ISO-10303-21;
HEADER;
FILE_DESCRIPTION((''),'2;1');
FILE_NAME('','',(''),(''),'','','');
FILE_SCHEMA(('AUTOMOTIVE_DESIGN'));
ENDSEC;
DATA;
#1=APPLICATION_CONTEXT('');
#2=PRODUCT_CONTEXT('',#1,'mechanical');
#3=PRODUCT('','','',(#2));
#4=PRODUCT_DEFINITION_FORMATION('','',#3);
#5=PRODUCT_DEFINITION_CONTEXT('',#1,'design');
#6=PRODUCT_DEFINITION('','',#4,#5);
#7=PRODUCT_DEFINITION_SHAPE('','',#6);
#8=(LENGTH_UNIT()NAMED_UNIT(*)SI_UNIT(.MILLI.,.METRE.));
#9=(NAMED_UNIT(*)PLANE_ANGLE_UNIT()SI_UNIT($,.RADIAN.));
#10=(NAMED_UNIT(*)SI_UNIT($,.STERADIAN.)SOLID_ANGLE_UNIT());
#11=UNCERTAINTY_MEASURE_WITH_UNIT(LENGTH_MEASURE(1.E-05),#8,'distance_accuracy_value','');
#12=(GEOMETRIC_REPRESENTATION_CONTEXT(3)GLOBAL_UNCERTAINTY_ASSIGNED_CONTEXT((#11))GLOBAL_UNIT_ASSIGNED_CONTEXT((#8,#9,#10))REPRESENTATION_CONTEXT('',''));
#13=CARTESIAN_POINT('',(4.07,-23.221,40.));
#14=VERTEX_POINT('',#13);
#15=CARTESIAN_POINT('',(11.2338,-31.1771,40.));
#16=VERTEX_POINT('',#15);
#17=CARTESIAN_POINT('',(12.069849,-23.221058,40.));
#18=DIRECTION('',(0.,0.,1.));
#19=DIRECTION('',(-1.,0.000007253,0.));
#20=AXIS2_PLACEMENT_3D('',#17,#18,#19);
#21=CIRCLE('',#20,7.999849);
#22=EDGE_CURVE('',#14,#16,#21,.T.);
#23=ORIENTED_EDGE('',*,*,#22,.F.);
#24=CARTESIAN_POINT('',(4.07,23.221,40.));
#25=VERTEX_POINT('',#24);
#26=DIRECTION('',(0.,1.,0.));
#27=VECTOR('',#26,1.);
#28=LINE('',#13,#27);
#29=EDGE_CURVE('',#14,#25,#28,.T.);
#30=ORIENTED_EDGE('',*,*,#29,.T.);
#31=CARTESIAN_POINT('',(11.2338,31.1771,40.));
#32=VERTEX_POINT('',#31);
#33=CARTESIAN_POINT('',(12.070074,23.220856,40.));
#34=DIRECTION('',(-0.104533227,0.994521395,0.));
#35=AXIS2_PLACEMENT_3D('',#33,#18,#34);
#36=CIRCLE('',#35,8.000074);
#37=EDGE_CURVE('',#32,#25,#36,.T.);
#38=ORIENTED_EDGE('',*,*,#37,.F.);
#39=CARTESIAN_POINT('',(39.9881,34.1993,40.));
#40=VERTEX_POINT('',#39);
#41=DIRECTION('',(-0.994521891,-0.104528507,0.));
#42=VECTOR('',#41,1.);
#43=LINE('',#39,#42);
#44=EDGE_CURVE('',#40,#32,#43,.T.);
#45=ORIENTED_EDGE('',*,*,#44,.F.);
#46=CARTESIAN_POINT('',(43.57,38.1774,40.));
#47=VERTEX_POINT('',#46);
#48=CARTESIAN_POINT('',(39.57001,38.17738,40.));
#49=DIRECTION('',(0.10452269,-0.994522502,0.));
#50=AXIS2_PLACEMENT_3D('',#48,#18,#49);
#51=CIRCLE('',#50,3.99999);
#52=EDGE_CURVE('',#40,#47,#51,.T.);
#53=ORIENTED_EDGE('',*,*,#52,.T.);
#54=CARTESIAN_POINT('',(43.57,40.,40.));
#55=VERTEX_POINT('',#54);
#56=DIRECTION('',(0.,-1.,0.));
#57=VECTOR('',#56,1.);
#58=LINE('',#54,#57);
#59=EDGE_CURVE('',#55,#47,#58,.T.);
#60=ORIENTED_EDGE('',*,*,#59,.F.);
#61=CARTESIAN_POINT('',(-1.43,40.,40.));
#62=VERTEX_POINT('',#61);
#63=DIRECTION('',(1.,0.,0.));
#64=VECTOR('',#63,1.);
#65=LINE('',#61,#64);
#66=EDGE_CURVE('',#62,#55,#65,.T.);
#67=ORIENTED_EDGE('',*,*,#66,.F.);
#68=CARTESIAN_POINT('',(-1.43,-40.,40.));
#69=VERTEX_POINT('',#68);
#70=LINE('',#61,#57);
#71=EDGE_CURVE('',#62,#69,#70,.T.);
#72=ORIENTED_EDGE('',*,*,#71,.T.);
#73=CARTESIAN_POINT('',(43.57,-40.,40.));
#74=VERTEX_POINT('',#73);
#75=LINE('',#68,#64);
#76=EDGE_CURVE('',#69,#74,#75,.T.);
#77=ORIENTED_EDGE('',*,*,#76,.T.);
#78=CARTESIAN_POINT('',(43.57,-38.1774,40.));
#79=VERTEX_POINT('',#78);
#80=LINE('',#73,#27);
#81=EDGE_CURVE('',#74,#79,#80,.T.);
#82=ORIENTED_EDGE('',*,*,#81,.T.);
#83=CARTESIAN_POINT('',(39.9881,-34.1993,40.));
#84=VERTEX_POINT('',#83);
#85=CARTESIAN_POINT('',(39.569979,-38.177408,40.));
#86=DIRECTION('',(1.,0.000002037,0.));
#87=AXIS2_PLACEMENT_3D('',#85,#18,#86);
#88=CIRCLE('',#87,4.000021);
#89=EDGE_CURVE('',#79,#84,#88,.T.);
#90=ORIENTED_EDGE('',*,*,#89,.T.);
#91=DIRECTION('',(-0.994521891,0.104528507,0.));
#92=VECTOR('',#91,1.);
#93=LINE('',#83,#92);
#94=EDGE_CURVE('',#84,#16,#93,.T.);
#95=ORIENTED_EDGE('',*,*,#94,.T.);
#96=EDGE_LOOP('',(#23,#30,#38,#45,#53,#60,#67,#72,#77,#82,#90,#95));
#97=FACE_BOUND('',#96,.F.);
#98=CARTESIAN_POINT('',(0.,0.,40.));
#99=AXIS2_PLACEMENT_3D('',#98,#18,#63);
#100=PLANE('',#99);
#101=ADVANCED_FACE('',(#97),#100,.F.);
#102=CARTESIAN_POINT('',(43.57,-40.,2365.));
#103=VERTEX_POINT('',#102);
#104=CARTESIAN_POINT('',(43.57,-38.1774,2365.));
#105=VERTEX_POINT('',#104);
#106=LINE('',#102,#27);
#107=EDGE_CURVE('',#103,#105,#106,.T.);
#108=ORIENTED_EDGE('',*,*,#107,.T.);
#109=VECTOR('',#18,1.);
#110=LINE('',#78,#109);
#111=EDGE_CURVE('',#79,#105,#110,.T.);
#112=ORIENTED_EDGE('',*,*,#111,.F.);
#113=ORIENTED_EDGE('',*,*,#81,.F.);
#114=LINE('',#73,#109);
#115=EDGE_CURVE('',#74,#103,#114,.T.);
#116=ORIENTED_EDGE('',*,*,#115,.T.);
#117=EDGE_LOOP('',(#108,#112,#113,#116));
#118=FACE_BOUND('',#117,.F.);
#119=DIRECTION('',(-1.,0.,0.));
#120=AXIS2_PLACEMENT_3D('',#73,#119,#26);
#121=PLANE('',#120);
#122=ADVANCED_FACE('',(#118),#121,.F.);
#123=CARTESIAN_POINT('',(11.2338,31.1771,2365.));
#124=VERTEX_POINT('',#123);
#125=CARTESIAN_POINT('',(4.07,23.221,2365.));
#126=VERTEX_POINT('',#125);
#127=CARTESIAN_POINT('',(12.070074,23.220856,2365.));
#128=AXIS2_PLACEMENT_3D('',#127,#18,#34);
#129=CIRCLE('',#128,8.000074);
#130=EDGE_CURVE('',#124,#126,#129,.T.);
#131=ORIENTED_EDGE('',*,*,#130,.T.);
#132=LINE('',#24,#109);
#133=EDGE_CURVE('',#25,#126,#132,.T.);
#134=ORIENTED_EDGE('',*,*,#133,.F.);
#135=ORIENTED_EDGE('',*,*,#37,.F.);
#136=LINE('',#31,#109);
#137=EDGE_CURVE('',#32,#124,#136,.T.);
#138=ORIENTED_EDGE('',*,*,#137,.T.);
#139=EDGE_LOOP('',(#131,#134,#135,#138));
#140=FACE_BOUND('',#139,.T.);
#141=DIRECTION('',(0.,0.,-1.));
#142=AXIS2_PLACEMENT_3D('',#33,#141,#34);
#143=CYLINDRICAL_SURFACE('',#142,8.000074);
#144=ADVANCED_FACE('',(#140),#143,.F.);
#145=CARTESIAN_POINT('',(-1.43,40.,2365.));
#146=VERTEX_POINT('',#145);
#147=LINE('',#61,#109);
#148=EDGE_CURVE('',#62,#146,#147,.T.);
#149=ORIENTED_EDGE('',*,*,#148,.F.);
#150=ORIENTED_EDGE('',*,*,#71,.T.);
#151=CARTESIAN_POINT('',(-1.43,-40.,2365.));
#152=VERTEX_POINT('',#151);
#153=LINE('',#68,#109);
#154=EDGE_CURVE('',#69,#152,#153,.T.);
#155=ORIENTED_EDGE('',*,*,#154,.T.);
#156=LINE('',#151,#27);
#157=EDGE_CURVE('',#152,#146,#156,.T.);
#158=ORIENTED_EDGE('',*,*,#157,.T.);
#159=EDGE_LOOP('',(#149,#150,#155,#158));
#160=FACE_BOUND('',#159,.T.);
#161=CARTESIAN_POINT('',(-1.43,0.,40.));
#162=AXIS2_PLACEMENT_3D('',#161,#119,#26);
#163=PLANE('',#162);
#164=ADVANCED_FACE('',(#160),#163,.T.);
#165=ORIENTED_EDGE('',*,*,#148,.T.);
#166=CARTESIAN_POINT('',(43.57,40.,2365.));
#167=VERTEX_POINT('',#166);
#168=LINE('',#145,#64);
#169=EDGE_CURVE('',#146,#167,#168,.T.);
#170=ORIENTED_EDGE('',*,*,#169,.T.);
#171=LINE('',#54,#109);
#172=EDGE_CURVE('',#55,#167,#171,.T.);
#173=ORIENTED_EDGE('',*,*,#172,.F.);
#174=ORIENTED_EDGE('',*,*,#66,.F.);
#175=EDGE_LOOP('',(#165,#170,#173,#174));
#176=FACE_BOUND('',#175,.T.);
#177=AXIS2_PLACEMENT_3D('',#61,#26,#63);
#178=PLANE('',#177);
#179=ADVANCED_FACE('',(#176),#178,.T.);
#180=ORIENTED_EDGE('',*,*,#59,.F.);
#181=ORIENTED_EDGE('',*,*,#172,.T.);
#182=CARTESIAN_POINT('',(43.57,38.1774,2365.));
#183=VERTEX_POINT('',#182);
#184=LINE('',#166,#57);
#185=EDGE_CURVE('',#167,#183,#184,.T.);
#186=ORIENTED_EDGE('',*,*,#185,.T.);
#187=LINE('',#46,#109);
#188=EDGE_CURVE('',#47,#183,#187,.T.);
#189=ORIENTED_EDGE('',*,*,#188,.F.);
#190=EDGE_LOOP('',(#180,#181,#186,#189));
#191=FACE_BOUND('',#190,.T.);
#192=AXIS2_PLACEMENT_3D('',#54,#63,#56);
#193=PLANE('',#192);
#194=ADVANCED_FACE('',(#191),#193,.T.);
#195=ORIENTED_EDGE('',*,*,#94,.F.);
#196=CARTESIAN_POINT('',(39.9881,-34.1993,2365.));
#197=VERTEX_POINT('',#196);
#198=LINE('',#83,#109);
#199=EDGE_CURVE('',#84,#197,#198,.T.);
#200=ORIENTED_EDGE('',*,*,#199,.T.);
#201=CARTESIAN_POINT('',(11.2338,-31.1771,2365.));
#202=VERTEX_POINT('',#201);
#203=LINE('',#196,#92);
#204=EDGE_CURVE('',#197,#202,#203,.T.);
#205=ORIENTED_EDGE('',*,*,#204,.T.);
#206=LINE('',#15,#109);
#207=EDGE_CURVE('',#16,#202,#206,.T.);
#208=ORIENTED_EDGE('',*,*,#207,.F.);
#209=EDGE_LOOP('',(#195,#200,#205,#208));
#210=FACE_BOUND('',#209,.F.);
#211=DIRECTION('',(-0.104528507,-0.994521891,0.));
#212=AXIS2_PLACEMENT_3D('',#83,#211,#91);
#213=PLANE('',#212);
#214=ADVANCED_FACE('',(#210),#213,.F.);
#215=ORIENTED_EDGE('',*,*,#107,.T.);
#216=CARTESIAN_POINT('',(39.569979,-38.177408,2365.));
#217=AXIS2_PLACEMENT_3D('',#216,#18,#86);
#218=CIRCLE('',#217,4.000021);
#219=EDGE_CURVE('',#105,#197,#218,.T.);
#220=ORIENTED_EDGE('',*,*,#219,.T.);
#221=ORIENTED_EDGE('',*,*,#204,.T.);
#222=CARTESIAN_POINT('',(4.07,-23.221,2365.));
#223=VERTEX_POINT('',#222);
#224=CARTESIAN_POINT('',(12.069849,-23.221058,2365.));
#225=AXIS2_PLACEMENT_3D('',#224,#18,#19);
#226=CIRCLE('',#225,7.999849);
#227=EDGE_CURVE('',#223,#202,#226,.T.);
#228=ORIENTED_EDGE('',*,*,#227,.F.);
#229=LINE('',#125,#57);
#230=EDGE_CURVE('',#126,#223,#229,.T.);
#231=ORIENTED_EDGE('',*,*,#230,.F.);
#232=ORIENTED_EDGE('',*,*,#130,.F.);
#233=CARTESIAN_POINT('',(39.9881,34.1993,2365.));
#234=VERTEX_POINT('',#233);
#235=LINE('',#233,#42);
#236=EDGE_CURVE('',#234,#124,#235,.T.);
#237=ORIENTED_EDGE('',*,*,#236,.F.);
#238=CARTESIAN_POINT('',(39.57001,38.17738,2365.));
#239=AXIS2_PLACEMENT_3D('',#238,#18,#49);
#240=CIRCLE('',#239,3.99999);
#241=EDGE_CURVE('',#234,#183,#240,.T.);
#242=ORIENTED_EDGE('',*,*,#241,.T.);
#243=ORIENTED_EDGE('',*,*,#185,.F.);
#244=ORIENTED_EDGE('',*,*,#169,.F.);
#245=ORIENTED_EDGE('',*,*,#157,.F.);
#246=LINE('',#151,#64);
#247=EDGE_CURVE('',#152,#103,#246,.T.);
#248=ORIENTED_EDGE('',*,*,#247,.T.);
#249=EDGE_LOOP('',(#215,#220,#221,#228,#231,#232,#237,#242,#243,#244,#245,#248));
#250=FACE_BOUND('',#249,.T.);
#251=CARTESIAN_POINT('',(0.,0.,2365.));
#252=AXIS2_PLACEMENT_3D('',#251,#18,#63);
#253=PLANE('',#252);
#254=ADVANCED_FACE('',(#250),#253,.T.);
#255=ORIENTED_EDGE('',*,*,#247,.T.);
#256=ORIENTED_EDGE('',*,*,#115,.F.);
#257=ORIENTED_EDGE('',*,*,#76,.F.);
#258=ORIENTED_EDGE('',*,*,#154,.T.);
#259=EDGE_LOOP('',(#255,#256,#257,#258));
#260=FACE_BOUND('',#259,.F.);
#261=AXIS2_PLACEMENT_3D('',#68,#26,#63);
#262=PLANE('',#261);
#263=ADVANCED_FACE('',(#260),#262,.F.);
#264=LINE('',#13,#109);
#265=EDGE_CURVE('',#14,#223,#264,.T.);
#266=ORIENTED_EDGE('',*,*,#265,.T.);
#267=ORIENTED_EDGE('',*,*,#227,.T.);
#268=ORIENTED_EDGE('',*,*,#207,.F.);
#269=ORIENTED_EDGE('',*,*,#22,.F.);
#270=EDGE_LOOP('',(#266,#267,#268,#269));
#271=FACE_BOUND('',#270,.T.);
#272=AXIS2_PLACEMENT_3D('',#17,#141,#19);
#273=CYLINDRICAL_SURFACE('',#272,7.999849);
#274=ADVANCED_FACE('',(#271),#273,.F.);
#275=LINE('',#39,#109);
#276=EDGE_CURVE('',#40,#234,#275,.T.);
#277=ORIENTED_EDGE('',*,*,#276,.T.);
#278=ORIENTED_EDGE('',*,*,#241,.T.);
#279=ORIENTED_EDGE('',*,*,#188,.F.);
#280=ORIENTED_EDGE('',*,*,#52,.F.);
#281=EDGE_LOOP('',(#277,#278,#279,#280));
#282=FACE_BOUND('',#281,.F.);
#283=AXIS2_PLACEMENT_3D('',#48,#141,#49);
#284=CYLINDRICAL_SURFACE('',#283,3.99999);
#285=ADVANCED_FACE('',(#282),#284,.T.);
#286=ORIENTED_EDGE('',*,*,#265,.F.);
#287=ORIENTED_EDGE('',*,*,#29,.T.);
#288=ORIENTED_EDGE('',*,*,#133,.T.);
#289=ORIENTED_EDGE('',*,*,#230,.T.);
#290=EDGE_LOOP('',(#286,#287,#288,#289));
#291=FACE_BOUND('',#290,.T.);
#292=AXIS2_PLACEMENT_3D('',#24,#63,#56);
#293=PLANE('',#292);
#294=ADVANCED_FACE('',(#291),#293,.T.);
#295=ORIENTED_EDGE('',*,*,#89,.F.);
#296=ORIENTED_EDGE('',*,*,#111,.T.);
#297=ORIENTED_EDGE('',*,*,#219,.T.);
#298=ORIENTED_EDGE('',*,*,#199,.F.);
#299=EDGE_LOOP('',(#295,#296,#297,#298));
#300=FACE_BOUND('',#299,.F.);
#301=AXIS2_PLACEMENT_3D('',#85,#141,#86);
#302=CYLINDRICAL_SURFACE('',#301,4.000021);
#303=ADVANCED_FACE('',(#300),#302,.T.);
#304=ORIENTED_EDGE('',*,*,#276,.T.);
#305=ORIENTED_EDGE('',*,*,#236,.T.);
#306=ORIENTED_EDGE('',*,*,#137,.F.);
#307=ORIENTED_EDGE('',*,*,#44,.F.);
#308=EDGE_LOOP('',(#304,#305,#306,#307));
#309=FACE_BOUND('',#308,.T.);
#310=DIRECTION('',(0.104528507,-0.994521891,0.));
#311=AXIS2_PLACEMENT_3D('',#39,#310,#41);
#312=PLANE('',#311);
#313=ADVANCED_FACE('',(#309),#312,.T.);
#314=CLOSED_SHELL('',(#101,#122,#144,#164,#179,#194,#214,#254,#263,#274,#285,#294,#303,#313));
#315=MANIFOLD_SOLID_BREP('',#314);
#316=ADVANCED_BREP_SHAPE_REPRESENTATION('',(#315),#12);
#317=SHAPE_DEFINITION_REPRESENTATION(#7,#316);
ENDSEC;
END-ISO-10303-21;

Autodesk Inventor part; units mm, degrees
ref_plane "Начальная плоскость" through (0, 0, 40) normal (0, 0, 1) x (1, 0, 0)
ref_plane "Конечная плоскость" through (0, 0, 2365) normal (0, 0, 1) x (1, 0, 0)
sketch "Эскиз" plane through (0, 0, 0) normal (0, 0, 1) x (1, 0, 0)
  line L0 (-1.43, 0) -> (-1.43, 40)
  line L1 (-1.43, 40) -> (43.57, 40)
  line L2 (43.57, 40) -> (43.57, 38.1774)
  line L3 (39.9881, 34.1993) -> (11.2338, 31.1771)
  line L4 (4.07, 23.221) -> (4.07, 0)
  line L5 (4.07, 0) -> (-1.43, 0) construction
  line L6 (23.82, 40) -> (23.82, 32.5) construction
  line L7 (43.57, 34.5758) -> (43.57, 32.5) construction
  line L8 (43.57, 32.5) -> (23.82, 32.5) construction
  line L9 (0, 15) -> (0, -27) construction
  line L10 (-5.539, 0) -> (16.0067, 0) construction
  line L11 (-1.43, 0) -> (-1.43, -40)
  line L12 (-1.43, -40) -> (43.57, -40)
  line L13 (43.57, -40) -> (43.57, -38.1774)
  line L14 (39.9881, -34.1993) -> (11.2338, -31.1771)
  line L15 (4.07, -23.221) -> (4.07, 0)
  arc A0 (11.2338, 31.1771) -> (4.07, 23.221) centre (12.07, 23.221) ccw
  arc A1 (4.07, -23.221) -> (11.2338, -31.1771) centre (12.07, -23.221) ccw
  arc A2 (39.9881, 34.1993) -> (43.57, 38.1774) centre (39.57, 38.1774) ccw
  arc A3 (43.57, -38.1774) -> (39.9881, -34.1993) centre (39.57, -38.1774) ccw
  line L16 (0, 56) -> (0, -56) construction
  line L17 (-15.5135, 0) -> (54.308, 0) construction
  point P0 (4.07, 30.4242)
  point P1 (43.57, -34.5758)
  point P2 (4.07, -30.4242)
  point P3 (23.82, -40)
  point P4 (23.82, -32.5)
  dimension "d0" = 5.5
  dimension "d1" = 40
  dimension "d2" = 45
  dimension "d3" = 7.5
  dimension "d4" = 19.75
  dimension "d5" = 2.0758
  dimension "d23" = 8
  dimension "d24" = 4
  dimension "d25" = 1.43
extrude "Тело" add sketch "Эскиз" along normal up to surface (2325 mm away) from surface at 40
sketch "Sketch3" plane through (0, 0, 0) normal (0, 0, 1) x (1, 0, 0)
  line L0 (0, 0) -> (10, 0)
ref_plane "Work Plane3" through (0, 0, 0) normal (0, -1, 0) x (1, 0, 0)
sketch "Sketch4" plane through (0, 0, 0) normal (0, -1, 0) x (1, 0, 0)
  line L0 (-2, 40) -> (12, 40)
  line L1 (-2, 2365) -> (12, 2365)
  dimension "d29" = 2325
ref_plane "РабПлоскость4" through (-1.43, 1500, 40) normal (0, 0, -1) x (-1, 0, 0)
split "Разделение1" plane through (-1.43, 1500, 40) removes the side toward (0, 0, -1)
ref_plane "РабПлоскость5" through (-1.43, -220, 2365) normal (0, 0, 1) x (1, 0, 0)
split "Разделение2" plane through (-1.43, -220, 2365) removes the side toward (0, 0, 1)
equation "\"d0\" = G_T"
equation "\"d1\" = 0.5 * G_H"
equation "\"d2\" = G_W"
equation "\"d3\" = G_T1"
equation "\"d4\" = G_C"
equation "\"d23\" = G_IR"
equation "\"d24\" = G_ER"
equation "\"d25\" = ex"
equation "\"d6\" = G_L"
equation "\"G_W\" = 45"
equation "\"G_T\" = 5.5"
equation "\"G_T1\" = 7.5"
equation "\"G_NG\" = 0.105104"
equation "\"G_ER\" = 4"
equation "\"G_IR\" = 8"
equation "\"G_C\" = 19.75"
equation "\"G_L\" = d29"
equation "\"ex\" = 1.43"
equation "\"d27\" = G_OFFSET_END + B_L"
equation "\"B_L\" = 2405"
equation "\"G_H\" = 80"
equation "\"G_OFFSET_END\" = -40"
properties part number "ISO 657/11 - CH 80 x 8 - 2325" material "Сталь, мягкая"
